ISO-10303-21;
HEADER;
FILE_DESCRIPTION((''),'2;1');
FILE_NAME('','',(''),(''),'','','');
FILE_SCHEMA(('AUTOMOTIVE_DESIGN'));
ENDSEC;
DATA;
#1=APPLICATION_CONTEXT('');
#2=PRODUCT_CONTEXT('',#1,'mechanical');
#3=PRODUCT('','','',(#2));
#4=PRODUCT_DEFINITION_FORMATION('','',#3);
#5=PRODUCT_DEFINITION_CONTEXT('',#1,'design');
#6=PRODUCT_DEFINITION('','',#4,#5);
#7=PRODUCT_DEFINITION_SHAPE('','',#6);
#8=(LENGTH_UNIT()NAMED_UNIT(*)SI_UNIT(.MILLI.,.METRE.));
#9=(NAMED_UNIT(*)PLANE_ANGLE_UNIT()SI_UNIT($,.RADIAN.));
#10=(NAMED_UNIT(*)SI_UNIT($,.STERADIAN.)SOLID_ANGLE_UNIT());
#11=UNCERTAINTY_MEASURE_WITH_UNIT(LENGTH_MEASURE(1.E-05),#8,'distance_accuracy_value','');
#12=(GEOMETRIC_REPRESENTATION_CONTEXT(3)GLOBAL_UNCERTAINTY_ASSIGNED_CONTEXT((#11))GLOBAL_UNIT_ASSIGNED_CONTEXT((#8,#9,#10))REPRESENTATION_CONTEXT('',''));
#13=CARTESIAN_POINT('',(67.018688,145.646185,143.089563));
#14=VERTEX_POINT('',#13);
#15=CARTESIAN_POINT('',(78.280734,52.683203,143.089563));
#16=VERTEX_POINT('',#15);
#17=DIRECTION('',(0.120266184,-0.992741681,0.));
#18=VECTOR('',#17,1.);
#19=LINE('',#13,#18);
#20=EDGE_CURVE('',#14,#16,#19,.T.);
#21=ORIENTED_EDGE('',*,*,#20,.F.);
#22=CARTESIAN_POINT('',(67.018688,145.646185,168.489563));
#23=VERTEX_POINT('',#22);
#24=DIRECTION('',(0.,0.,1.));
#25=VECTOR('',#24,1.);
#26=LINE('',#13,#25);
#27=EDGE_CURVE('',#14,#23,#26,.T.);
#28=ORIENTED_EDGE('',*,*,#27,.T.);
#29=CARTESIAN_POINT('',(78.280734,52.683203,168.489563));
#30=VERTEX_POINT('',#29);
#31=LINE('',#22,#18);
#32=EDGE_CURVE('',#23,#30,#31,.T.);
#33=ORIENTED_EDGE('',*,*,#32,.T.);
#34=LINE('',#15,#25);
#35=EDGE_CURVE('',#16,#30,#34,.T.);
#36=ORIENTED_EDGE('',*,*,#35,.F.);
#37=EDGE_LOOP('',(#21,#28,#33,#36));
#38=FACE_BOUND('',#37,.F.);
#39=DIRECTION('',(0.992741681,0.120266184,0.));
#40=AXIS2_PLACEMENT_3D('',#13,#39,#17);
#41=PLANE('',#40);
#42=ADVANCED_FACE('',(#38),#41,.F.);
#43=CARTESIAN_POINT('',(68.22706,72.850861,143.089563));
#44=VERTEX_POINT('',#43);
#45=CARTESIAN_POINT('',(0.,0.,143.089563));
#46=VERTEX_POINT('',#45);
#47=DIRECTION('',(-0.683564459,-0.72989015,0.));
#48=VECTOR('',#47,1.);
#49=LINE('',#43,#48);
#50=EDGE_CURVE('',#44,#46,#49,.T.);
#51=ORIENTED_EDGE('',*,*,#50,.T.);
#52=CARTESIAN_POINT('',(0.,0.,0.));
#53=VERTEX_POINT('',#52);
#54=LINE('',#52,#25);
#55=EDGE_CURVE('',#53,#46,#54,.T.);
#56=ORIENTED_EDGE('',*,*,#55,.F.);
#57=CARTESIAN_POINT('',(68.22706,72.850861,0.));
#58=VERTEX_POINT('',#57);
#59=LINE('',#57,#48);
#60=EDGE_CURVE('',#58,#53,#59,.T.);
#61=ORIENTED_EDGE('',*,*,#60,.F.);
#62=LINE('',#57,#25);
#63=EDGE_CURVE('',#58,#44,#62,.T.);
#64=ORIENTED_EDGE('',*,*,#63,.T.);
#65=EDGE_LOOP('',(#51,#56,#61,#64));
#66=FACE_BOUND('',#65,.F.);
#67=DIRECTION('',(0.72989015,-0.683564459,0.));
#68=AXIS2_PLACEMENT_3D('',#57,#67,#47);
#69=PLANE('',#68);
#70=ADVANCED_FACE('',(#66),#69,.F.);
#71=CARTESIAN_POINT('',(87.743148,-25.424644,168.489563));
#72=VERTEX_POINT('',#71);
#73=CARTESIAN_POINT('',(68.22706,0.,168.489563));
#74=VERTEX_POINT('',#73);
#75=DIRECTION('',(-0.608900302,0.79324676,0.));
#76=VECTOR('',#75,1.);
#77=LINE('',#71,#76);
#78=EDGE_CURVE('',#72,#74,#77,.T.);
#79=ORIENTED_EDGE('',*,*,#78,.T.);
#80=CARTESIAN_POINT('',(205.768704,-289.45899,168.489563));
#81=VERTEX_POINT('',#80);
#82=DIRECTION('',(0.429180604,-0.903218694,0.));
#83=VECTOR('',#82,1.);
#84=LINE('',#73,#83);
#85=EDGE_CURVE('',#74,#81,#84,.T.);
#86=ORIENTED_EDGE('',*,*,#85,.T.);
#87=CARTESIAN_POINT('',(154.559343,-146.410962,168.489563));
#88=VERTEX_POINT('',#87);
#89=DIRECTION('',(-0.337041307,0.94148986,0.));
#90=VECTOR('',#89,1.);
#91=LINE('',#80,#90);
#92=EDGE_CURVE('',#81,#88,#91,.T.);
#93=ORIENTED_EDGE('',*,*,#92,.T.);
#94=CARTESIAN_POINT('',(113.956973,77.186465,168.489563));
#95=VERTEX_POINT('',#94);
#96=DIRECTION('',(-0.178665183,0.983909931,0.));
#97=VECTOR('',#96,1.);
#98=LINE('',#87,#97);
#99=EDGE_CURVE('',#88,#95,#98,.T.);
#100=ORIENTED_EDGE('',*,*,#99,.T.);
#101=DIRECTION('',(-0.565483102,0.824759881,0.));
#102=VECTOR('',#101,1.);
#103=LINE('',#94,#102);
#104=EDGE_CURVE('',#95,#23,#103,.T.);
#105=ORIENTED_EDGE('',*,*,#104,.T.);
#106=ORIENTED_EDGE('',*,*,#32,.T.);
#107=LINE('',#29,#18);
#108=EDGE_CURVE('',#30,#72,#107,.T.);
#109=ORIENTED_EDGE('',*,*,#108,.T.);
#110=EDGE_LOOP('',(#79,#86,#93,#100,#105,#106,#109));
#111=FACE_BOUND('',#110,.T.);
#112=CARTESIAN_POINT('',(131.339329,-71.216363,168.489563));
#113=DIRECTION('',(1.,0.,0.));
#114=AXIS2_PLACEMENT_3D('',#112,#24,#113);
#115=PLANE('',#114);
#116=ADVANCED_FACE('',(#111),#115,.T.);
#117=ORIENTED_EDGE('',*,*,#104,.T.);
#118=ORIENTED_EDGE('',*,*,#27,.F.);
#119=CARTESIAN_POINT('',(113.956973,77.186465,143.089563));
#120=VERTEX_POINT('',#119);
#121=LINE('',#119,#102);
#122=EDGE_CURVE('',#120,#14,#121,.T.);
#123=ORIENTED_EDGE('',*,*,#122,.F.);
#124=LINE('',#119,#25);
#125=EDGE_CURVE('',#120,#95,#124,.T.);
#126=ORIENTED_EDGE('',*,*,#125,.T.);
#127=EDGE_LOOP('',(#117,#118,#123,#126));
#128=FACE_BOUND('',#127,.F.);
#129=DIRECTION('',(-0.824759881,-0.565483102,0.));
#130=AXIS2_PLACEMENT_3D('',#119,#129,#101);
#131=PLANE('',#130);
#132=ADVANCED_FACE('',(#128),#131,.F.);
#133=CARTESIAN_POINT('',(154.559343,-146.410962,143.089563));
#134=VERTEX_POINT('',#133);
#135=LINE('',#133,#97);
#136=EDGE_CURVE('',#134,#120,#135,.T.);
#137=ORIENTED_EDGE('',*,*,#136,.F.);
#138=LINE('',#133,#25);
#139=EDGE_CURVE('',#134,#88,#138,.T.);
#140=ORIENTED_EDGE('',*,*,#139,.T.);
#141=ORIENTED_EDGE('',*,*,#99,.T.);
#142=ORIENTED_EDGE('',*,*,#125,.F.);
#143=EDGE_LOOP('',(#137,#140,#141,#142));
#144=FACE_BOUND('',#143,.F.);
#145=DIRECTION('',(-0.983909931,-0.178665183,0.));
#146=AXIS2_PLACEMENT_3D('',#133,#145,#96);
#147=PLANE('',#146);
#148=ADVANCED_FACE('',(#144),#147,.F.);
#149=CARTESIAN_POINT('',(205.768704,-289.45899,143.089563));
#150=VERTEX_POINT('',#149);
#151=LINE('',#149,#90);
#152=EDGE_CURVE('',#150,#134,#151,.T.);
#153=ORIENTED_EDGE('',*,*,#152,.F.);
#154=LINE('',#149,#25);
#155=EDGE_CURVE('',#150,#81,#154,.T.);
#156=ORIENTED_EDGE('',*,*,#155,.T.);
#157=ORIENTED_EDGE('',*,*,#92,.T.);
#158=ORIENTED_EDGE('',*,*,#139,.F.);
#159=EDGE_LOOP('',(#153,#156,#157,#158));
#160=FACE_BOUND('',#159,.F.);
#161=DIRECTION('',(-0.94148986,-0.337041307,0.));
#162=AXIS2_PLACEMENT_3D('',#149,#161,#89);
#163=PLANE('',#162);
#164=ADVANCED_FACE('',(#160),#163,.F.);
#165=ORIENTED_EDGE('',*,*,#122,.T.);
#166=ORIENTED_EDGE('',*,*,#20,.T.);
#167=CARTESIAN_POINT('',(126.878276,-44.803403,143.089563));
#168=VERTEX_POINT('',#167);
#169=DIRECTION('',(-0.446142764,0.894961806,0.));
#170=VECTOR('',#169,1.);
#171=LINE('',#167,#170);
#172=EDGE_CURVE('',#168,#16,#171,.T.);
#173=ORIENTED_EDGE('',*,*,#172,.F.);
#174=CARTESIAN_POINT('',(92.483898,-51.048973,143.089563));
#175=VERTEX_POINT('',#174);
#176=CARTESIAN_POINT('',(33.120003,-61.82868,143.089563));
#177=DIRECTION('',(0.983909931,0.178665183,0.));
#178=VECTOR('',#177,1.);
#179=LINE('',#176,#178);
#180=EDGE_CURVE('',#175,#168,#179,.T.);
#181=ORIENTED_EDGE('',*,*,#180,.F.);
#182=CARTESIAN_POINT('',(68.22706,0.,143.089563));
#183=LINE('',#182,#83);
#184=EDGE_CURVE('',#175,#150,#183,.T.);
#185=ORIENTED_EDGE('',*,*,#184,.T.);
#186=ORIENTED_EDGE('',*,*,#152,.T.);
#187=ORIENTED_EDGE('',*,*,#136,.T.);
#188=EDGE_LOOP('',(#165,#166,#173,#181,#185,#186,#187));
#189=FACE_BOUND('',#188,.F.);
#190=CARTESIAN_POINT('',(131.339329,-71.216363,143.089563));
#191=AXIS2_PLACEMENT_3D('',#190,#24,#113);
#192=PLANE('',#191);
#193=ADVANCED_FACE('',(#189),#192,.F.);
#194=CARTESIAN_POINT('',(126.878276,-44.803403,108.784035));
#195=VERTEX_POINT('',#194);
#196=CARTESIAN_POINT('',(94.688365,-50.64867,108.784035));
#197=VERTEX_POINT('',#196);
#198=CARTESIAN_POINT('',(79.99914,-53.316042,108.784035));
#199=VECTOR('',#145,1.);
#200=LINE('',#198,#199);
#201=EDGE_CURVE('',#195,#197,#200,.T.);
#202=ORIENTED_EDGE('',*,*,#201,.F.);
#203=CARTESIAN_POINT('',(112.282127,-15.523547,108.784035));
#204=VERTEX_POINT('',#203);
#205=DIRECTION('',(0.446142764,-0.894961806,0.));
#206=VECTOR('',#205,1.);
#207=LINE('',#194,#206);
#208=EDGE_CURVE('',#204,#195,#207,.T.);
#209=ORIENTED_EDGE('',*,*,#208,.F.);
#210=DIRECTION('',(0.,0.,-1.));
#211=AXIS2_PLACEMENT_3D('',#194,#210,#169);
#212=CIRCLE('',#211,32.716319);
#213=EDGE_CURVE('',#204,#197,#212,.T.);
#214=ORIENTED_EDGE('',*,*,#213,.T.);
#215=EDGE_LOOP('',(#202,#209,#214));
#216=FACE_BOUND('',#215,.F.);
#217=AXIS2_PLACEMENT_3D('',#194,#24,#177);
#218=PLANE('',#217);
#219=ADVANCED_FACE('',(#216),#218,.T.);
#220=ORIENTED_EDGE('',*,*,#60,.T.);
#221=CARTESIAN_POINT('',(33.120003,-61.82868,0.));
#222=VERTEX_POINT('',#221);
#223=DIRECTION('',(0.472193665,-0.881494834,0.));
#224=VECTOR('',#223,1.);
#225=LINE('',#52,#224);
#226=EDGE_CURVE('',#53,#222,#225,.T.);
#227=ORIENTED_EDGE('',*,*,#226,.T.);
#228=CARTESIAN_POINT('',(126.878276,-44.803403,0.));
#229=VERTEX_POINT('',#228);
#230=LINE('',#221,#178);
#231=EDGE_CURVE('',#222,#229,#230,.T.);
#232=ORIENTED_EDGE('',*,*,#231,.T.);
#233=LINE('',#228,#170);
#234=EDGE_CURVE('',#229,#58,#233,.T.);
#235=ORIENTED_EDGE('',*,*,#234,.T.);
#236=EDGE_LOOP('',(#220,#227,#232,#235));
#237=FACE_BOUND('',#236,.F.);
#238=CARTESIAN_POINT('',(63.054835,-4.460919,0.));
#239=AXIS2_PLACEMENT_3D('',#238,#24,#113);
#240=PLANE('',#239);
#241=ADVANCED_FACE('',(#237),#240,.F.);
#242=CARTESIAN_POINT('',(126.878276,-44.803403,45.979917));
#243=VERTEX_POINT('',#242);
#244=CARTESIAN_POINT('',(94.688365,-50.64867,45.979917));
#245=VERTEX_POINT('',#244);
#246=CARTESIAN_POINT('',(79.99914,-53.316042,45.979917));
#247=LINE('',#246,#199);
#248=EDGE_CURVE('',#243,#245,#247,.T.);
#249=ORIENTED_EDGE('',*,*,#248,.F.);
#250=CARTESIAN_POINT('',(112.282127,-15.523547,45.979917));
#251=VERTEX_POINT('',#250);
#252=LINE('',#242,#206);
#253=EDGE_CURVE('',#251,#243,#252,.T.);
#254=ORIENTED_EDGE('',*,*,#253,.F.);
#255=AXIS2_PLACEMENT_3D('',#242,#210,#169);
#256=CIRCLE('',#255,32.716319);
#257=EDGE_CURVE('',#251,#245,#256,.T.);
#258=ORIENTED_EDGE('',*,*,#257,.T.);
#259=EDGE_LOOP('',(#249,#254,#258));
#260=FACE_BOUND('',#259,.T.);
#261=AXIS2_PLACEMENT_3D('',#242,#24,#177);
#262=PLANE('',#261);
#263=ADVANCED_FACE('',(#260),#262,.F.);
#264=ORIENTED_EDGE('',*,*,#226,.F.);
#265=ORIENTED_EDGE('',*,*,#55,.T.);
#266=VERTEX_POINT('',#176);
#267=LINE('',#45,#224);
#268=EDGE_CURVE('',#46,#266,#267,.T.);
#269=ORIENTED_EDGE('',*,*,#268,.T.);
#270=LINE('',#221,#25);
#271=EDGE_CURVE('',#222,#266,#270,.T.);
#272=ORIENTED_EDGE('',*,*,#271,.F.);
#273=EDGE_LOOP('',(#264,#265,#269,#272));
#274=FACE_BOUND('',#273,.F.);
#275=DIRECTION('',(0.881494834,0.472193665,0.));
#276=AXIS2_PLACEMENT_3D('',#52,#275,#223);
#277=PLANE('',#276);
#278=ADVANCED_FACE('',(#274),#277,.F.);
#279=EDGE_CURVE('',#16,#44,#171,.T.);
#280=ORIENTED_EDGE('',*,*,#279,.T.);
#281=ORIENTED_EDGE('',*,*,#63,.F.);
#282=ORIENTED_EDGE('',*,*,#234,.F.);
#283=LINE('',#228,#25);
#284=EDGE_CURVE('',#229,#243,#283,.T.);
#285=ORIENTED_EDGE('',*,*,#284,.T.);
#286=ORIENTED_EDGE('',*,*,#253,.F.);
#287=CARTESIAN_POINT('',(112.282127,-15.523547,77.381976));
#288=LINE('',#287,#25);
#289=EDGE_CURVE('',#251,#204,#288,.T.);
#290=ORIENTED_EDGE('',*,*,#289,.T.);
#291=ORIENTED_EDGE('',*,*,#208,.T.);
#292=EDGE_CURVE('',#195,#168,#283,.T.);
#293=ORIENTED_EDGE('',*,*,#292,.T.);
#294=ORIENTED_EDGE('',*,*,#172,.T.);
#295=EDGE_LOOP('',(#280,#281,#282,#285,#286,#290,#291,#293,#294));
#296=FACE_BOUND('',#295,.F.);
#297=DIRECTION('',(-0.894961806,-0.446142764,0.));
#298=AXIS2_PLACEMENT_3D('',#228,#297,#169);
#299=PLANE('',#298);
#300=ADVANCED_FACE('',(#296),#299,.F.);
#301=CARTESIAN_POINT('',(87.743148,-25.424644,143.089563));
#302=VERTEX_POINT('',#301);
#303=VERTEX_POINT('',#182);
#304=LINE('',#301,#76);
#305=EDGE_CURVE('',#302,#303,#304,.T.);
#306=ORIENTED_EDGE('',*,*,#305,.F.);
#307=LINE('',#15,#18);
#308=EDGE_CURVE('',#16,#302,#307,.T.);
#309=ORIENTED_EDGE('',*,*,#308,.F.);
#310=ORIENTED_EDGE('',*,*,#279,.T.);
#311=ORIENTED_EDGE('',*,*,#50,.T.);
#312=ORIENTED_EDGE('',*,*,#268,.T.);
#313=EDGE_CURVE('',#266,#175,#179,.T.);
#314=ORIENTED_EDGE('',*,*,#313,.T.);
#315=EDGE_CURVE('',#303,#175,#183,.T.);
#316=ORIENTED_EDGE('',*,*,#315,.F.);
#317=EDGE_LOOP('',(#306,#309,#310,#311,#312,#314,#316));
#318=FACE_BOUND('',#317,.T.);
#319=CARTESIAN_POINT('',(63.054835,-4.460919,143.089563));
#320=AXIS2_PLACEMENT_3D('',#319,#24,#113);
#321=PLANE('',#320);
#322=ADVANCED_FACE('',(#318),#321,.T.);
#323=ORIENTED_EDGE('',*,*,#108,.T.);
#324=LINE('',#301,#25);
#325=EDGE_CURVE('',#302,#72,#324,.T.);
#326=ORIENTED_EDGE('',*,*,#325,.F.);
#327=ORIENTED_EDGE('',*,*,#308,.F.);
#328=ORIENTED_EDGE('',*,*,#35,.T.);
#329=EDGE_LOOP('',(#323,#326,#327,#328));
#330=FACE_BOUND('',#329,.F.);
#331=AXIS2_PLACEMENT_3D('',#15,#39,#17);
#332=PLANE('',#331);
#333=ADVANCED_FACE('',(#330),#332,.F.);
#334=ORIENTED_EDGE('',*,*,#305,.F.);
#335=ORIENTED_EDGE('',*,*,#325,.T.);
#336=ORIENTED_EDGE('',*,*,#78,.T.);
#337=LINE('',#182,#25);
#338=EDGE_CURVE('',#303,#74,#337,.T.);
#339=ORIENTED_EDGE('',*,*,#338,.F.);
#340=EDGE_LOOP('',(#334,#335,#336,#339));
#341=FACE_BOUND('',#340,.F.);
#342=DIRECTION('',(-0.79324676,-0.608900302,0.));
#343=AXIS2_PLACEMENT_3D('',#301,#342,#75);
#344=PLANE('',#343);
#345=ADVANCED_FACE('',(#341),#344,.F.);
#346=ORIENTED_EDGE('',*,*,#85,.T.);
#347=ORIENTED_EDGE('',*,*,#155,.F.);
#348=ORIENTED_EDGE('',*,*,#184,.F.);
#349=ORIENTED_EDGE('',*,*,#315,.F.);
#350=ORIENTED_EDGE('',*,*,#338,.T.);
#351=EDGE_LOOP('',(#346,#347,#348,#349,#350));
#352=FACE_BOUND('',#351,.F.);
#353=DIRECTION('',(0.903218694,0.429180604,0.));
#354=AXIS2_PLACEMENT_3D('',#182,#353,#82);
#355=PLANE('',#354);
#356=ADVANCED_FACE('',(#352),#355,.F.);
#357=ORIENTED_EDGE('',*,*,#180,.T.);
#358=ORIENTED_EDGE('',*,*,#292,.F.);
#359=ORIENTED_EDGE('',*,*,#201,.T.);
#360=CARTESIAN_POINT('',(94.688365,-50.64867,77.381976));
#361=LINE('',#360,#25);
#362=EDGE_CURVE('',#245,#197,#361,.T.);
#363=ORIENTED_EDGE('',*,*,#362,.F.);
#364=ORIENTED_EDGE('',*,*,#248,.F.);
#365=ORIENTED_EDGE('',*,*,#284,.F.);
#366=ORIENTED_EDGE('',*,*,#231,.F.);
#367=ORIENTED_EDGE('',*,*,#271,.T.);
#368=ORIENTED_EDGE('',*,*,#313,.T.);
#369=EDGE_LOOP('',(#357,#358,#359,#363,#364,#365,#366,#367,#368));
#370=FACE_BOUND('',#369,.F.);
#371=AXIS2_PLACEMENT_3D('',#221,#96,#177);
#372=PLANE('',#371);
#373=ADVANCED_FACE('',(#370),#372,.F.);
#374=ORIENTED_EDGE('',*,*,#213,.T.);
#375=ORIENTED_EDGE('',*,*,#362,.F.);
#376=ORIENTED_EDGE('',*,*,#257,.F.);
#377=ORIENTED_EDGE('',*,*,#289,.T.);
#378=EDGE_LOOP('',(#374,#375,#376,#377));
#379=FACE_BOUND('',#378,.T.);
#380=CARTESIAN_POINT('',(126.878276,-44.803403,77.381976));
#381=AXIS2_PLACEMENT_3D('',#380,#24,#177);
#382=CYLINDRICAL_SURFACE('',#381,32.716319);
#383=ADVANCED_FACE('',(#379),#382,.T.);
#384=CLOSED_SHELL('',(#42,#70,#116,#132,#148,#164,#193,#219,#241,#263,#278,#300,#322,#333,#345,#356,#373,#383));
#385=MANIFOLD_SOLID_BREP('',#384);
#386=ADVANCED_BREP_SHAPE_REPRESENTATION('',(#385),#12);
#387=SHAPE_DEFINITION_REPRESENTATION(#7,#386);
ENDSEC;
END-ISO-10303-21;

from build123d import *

# Parameters (mm, degrees)
F1_DEPTH = 143.0895626545
F2_W     = 32.7163190505
F2_H     = 62.8041177988
F5_DEPTH = 25.4


with BuildPart() as f1:
    # F0 (on Top) → F1 (new body)
    with BuildSketch(Plane.XY):
        Polygon((68.2270601392, 72.8508606553), (0, 0), (33.1200025976, -61.8286803365), (126.8782764673, -44.8034033179), align=None)
    extrude(amount=F1_DEPTH)

    # F2 (on face) → F3 (revolve)
    with BuildSketch(Plane(origin=(11.9261231966, -65.6772118101, 0), x_dir=(0.9839099311, 0.1786651828, 0), z_dir=(0.1786651828, -0.9839099311, 0))):
        with Locations((133.190147536, 77.3819759488)):
            Rectangle(F2_W, F2_H)
    revolve(axis=Axis((126.8782764673, -44.8034033179, 77.3819759488), (0, 0, 1)))

    # F4 (on face) → F5 (join)
    with BuildSketch(Plane.XY.offset(143.0895626545)):
        Polygon((126.8782764673, -44.8034033179), (92.4838976122, -51.0489729484), (205.7687044144, -289.458990097), (154.5593430204, -146.4109615539), (113.9569729567, 77.1864652634), (67.0186877251, 145.6461846828), (78.2807342193, 52.6832034748), align=None)
        Polygon((87.7431482077, -25.424644351), (68.2270601392, 0), (92.4838976122, -51.0489729484), (126.8782764673, -44.8034033179), (78.2807342193, 52.6832034748), align=None)
    extrude(amount=F5_DEPTH)


solid = f1.part
